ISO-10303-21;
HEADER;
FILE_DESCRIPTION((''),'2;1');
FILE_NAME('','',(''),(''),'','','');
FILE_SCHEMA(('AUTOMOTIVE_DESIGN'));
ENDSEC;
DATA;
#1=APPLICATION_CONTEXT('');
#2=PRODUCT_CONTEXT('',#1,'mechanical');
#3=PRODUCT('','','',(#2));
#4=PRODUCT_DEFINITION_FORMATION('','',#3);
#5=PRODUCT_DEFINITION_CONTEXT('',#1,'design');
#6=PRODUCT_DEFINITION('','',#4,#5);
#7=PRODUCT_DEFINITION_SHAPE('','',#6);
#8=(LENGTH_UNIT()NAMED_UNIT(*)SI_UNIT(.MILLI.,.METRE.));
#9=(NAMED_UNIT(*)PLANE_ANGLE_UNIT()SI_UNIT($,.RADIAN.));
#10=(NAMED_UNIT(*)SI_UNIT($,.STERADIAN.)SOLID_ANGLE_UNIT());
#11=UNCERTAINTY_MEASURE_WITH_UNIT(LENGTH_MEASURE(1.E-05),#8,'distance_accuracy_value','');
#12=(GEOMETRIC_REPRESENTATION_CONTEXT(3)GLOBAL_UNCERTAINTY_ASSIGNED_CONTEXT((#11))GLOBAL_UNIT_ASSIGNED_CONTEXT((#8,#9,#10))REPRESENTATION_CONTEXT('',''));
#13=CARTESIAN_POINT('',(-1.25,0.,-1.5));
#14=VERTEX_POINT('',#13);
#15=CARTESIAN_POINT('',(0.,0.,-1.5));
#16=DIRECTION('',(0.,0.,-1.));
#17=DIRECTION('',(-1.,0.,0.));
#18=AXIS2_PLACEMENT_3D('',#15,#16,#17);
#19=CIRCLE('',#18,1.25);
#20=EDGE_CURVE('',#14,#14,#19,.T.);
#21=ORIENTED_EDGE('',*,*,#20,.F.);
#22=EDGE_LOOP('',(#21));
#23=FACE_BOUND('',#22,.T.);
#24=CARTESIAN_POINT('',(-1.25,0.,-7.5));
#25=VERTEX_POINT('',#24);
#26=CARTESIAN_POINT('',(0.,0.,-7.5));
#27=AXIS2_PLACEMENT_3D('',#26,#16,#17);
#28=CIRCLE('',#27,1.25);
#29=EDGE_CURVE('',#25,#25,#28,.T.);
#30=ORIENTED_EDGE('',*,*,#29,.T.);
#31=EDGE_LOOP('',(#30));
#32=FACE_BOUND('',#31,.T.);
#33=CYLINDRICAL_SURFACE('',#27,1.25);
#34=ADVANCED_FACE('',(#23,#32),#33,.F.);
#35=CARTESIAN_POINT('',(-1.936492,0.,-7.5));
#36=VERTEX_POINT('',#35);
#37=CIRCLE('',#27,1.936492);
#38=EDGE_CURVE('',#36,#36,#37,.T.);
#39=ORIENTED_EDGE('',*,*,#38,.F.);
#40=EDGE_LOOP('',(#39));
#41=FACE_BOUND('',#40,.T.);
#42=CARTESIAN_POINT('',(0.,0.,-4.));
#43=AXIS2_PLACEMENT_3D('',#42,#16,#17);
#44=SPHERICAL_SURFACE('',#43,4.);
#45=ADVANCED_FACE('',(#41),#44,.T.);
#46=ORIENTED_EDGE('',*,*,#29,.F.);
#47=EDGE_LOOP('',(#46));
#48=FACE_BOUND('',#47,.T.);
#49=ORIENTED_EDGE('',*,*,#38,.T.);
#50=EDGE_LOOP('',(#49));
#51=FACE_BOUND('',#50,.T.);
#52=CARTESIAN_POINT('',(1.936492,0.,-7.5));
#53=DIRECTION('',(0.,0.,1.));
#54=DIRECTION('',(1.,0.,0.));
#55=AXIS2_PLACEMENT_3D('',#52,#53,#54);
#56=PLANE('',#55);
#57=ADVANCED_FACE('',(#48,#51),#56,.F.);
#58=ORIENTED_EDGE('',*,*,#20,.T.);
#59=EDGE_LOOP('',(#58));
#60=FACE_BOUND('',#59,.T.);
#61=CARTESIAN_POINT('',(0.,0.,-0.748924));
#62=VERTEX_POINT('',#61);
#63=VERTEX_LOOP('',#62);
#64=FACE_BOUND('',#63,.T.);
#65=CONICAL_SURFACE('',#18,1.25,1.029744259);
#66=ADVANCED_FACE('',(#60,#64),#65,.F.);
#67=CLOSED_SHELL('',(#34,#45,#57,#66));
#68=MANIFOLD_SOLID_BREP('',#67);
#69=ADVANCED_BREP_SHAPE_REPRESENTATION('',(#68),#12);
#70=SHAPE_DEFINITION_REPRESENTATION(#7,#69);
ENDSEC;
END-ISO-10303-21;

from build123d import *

# Parameters (mm, degrees)
M3X0_5_TAPPED_HOLE1_D     = 2.5
M3X0_5_TAPPED_HOLE1_DEPTH = 6
M3X0_5_TAPPED_HOLE1_TIP   = 0.751075774


with BuildPart() as part:
    # Sketch2 → Revolve1 (revolve)
    with BuildSketch(Plane(origin=(0, 0, 0), x_dir=(1, 0, 0), z_dir=(0, 1, 0))):
        with BuildLine():
            Line((1.936491673, 7.5), (0, 7.5))
            Line((0, 7.5), (0, 0))
            ThreePointArc((0, 0), (3.872983346, 3), (1.936491673, 7.5))
        make_face()
    revolve(axis=Axis((0, 0, -7.5), (0, 0, 1)))

    # M3x0.5 Tapped Hole1
    with Locations(Plane(origin=(0, 0, -7.5), x_dir=(-1, 0, 0), z_dir=(0, 0, -1))):
        with Locations((0, 0)):
            Hole(M3X0_5_TAPPED_HOLE1_D / 2, depth=M3X0_5_TAPPED_HOLE1_DEPTH)
            with Locations((0, 0, -(M3X0_5_TAPPED_HOLE1_DEPTH + M3X0_5_TAPPED_HOLE1_TIP / 2))):  # 118° drill point
                Cone(0, M3X0_5_TAPPED_HOLE1_D / 2, M3X0_5_TAPPED_HOLE1_TIP, mode=Mode.SUBTRACT)


solid = part.part
